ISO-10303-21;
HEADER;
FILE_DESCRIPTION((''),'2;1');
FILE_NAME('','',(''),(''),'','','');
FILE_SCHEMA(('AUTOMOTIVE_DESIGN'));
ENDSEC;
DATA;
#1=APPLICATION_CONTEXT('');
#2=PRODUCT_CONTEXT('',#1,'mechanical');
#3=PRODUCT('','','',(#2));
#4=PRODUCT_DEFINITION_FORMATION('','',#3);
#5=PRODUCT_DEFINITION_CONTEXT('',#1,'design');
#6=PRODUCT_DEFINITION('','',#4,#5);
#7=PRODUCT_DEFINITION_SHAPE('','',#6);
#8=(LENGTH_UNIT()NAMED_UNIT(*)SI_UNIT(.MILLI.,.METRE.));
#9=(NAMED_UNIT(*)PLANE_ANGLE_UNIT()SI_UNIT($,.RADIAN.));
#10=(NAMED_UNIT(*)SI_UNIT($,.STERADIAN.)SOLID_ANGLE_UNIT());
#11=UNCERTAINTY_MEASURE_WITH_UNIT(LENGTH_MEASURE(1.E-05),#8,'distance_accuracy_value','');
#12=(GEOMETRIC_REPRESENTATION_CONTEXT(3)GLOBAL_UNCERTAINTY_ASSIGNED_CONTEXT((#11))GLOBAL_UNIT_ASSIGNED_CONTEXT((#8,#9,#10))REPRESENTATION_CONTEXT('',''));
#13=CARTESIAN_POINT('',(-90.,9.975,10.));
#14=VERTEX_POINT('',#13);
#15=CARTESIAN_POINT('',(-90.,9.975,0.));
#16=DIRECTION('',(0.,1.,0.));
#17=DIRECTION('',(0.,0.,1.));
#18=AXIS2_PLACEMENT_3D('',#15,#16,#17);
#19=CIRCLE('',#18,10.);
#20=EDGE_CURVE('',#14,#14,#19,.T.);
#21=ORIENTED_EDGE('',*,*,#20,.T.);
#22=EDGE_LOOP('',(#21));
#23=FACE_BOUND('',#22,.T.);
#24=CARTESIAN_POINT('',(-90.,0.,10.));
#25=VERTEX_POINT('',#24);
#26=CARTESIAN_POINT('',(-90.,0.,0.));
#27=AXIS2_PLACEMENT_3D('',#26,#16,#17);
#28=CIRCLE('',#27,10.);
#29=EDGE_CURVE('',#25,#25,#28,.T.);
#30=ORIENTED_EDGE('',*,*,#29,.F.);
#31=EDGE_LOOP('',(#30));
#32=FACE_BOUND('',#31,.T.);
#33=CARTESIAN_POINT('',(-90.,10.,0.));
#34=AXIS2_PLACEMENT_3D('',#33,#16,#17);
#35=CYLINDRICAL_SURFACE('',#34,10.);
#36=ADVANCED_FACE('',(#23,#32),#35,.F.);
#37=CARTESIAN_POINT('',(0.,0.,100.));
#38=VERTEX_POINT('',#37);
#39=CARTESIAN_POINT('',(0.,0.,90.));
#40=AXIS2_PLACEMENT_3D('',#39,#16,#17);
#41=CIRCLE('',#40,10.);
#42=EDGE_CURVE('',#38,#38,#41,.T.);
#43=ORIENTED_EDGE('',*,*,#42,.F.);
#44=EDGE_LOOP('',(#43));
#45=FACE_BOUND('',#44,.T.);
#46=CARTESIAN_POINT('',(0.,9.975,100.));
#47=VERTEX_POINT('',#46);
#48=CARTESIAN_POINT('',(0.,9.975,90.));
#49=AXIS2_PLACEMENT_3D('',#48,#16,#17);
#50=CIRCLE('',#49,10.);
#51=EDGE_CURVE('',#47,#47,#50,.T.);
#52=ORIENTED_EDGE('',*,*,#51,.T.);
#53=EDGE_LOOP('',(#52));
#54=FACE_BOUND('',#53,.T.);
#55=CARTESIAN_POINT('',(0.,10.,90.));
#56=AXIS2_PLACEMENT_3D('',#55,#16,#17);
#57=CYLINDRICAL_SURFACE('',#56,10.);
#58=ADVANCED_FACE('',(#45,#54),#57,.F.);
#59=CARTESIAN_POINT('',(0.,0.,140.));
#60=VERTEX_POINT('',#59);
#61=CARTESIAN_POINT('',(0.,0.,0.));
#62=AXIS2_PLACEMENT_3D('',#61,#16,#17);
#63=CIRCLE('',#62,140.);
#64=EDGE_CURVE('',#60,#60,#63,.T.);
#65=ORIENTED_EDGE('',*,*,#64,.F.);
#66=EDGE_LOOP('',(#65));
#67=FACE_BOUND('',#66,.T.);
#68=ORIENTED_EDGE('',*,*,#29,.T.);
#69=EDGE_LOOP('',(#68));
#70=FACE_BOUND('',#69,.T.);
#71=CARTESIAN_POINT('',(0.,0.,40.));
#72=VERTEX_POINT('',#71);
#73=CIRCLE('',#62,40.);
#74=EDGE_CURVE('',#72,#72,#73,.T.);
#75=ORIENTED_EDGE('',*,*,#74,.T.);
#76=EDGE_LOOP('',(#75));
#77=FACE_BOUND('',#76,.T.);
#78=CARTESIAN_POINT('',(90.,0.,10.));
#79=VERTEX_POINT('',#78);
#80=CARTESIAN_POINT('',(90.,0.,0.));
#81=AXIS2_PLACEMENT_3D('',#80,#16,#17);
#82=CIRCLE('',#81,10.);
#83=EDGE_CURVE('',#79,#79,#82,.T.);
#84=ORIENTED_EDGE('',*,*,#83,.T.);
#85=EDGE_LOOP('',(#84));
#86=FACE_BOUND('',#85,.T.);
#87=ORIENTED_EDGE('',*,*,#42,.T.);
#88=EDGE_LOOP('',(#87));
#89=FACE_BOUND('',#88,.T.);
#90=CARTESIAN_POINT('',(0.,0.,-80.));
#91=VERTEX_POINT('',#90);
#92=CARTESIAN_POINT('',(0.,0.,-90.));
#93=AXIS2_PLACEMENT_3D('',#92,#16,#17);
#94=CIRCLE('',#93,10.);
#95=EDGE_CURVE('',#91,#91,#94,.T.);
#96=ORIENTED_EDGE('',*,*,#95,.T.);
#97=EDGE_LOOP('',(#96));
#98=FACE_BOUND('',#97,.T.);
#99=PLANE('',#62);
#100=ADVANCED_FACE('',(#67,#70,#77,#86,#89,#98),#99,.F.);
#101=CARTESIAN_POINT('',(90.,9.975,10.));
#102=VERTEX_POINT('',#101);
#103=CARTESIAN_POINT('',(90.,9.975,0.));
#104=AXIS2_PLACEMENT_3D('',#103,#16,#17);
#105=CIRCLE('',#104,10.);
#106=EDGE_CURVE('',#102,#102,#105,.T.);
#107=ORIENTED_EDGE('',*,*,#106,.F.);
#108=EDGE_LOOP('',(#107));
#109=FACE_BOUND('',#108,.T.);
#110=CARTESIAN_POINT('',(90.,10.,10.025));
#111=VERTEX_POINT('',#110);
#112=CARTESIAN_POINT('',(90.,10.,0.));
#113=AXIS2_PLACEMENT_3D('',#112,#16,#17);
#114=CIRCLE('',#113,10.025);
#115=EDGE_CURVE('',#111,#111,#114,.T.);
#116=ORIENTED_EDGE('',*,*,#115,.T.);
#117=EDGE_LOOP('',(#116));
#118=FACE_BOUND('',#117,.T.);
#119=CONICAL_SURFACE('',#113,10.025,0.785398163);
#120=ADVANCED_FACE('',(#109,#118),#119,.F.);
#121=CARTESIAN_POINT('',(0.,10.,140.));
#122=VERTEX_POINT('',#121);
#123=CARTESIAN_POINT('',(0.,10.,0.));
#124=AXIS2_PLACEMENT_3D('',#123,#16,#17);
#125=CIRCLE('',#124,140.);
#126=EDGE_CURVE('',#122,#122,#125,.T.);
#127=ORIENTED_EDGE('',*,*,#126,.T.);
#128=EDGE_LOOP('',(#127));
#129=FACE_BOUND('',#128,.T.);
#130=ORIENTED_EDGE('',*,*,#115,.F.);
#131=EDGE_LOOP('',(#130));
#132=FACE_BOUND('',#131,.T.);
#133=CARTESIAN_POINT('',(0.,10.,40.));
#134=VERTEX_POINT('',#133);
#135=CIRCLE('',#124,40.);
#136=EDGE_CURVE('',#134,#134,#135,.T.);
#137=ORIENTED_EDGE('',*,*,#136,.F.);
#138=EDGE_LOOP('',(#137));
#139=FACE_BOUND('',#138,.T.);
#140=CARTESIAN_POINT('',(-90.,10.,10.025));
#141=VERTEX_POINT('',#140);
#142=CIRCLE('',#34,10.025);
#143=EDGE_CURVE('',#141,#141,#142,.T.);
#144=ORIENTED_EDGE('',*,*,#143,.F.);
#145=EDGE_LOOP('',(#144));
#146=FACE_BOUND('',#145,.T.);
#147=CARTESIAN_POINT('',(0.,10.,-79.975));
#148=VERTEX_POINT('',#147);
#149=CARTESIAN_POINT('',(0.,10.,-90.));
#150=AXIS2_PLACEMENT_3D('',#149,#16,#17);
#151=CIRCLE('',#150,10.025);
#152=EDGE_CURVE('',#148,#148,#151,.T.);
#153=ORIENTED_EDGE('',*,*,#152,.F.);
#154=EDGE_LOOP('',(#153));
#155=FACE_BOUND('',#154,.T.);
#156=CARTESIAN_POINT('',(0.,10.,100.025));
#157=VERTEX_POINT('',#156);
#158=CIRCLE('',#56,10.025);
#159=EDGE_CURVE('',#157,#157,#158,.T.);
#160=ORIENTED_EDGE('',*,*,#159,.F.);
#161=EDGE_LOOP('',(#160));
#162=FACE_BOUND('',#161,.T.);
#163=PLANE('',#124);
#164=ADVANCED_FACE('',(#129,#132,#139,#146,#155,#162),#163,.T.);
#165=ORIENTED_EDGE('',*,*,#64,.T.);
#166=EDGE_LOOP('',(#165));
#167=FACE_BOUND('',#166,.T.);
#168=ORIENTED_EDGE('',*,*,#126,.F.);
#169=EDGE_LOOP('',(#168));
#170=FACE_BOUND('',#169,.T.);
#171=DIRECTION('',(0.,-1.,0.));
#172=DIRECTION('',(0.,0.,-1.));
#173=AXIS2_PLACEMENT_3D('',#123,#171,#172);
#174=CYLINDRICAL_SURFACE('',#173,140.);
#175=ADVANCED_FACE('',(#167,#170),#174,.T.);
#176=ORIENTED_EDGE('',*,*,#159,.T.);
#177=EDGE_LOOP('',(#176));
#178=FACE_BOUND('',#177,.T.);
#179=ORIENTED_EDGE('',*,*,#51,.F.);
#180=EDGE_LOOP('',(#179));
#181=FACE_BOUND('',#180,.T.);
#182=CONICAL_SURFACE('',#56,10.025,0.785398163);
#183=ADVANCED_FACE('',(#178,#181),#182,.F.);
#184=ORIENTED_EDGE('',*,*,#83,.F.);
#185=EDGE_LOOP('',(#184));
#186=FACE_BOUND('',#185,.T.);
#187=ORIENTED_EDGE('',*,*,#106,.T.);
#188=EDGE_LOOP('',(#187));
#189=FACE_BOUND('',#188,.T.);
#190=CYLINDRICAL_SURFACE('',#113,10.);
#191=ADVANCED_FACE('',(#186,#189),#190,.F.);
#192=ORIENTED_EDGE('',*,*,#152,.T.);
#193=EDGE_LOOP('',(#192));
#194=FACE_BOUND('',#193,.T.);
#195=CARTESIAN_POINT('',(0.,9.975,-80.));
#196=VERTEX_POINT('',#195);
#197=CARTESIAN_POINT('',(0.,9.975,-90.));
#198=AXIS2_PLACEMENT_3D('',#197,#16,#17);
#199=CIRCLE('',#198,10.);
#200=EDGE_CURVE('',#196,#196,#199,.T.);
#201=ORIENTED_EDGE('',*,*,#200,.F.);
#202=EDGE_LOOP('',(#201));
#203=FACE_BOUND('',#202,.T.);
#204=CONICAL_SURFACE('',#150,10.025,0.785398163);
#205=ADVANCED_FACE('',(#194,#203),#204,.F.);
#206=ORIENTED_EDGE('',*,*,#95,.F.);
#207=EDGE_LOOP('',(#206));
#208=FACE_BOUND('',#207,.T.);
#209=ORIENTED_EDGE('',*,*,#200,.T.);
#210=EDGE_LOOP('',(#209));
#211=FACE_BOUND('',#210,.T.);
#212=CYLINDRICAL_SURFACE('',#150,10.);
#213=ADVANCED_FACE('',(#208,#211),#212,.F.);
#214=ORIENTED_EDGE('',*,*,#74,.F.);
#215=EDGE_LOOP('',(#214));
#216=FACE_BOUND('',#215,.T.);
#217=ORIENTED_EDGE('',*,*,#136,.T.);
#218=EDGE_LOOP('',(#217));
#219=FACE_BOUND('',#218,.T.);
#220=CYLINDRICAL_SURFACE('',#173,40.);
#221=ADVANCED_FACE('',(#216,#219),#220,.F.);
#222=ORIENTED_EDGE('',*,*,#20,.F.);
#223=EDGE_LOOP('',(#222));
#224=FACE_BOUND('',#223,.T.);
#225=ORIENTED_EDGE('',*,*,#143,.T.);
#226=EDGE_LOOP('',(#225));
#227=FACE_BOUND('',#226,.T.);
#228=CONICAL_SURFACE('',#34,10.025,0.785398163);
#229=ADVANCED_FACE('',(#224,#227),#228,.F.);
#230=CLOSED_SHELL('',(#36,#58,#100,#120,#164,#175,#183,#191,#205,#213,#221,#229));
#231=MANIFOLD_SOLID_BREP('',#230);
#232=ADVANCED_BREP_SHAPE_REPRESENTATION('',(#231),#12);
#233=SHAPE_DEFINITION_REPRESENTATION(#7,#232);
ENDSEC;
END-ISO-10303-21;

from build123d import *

# Parameters (mm, degrees)
SKETCH_1_R                       = 140
SKETCH_1_R_2                     = 40
EXTRUDE_1_DEPTH                  = 10
HOLE_WIZARD_20_0_20_1_AT_2_COUNT = 2
HOLE_WIZARD_20_0_20_1_AT_2_PITCH = 127.279220614
HOLE_WIZARD_20_0_20_1_AT_3_COUNT = 2
HOLE_WIZARD_20_0_20_1_AT_3_PITCH = 180
HOLE_WIZARD_20_0_20_1_AT_4_COUNT = 2
HOLE_WIZARD_20_0_20_1_AT_4_PITCH = 127.279220614


with BuildPart() as part:
    # 草图1 → 凸台-拉伸1 (new body)
    with BuildSketch(Plane(origin=(0, 0, 0), x_dir=(1, 0, 0), z_dir=(0, 1, 0))):
        Circle(SKETCH_1_R)
        Circle(SKETCH_1_R_2, mode=Mode.SUBTRACT)
    extrude(amount=EXTRUDE_1_DEPTH)

    # 草图3 → Ø20.0 (20) 直径孔1 (revolve, cut)
    with BuildSketch(Plane(origin=(0, 10, 90), x_dir=(0, 0, 1), z_dir=(1, 0, 0))):
        Polygon((0, 0), (0, 10), (10, 10), (10, 0.025), (10.025, 0), align=None)
    hole_wizard_20_0_20_1 = revolve(axis=Axis((0, 16.35, 90), (0, -1, 0)), mode=Mode.SUBTRACT)

    # Ø20.0 (20) 直径孔1 at 2: Ø20.0 (20) 直径孔1 ×2
    with Locations(*[Vector(0.7071067811865476, 0, -0.7071067811865476) * (i * HOLE_WIZARD_20_0_20_1_AT_2_PITCH) for i in range(1, HOLE_WIZARD_20_0_20_1_AT_2_COUNT)]):
        add(hole_wizard_20_0_20_1, mode=Mode.SUBTRACT)

    # Ø20.0 (20) 直径孔1 at 3: Ø20.0 (20) 直径孔1 ×2
    with Locations(*[(0, 0, -i * HOLE_WIZARD_20_0_20_1_AT_3_PITCH) for i in range(1, HOLE_WIZARD_20_0_20_1_AT_3_COUNT)]):
        add(hole_wizard_20_0_20_1, mode=Mode.SUBTRACT)

    # Ø20.0 (20) 直径孔1 at 4: Ø20.0 (20) 直径孔1 ×2
    with Locations(*[Vector(-0.7071067811865476, 0, -0.7071067811865476) * (i * HOLE_WIZARD_20_0_20_1_AT_4_PITCH) for i in range(1, HOLE_WIZARD_20_0_20_1_AT_4_COUNT)]):
        add(hole_wizard_20_0_20_1, mode=Mode.SUBTRACT)


solid = part.part
